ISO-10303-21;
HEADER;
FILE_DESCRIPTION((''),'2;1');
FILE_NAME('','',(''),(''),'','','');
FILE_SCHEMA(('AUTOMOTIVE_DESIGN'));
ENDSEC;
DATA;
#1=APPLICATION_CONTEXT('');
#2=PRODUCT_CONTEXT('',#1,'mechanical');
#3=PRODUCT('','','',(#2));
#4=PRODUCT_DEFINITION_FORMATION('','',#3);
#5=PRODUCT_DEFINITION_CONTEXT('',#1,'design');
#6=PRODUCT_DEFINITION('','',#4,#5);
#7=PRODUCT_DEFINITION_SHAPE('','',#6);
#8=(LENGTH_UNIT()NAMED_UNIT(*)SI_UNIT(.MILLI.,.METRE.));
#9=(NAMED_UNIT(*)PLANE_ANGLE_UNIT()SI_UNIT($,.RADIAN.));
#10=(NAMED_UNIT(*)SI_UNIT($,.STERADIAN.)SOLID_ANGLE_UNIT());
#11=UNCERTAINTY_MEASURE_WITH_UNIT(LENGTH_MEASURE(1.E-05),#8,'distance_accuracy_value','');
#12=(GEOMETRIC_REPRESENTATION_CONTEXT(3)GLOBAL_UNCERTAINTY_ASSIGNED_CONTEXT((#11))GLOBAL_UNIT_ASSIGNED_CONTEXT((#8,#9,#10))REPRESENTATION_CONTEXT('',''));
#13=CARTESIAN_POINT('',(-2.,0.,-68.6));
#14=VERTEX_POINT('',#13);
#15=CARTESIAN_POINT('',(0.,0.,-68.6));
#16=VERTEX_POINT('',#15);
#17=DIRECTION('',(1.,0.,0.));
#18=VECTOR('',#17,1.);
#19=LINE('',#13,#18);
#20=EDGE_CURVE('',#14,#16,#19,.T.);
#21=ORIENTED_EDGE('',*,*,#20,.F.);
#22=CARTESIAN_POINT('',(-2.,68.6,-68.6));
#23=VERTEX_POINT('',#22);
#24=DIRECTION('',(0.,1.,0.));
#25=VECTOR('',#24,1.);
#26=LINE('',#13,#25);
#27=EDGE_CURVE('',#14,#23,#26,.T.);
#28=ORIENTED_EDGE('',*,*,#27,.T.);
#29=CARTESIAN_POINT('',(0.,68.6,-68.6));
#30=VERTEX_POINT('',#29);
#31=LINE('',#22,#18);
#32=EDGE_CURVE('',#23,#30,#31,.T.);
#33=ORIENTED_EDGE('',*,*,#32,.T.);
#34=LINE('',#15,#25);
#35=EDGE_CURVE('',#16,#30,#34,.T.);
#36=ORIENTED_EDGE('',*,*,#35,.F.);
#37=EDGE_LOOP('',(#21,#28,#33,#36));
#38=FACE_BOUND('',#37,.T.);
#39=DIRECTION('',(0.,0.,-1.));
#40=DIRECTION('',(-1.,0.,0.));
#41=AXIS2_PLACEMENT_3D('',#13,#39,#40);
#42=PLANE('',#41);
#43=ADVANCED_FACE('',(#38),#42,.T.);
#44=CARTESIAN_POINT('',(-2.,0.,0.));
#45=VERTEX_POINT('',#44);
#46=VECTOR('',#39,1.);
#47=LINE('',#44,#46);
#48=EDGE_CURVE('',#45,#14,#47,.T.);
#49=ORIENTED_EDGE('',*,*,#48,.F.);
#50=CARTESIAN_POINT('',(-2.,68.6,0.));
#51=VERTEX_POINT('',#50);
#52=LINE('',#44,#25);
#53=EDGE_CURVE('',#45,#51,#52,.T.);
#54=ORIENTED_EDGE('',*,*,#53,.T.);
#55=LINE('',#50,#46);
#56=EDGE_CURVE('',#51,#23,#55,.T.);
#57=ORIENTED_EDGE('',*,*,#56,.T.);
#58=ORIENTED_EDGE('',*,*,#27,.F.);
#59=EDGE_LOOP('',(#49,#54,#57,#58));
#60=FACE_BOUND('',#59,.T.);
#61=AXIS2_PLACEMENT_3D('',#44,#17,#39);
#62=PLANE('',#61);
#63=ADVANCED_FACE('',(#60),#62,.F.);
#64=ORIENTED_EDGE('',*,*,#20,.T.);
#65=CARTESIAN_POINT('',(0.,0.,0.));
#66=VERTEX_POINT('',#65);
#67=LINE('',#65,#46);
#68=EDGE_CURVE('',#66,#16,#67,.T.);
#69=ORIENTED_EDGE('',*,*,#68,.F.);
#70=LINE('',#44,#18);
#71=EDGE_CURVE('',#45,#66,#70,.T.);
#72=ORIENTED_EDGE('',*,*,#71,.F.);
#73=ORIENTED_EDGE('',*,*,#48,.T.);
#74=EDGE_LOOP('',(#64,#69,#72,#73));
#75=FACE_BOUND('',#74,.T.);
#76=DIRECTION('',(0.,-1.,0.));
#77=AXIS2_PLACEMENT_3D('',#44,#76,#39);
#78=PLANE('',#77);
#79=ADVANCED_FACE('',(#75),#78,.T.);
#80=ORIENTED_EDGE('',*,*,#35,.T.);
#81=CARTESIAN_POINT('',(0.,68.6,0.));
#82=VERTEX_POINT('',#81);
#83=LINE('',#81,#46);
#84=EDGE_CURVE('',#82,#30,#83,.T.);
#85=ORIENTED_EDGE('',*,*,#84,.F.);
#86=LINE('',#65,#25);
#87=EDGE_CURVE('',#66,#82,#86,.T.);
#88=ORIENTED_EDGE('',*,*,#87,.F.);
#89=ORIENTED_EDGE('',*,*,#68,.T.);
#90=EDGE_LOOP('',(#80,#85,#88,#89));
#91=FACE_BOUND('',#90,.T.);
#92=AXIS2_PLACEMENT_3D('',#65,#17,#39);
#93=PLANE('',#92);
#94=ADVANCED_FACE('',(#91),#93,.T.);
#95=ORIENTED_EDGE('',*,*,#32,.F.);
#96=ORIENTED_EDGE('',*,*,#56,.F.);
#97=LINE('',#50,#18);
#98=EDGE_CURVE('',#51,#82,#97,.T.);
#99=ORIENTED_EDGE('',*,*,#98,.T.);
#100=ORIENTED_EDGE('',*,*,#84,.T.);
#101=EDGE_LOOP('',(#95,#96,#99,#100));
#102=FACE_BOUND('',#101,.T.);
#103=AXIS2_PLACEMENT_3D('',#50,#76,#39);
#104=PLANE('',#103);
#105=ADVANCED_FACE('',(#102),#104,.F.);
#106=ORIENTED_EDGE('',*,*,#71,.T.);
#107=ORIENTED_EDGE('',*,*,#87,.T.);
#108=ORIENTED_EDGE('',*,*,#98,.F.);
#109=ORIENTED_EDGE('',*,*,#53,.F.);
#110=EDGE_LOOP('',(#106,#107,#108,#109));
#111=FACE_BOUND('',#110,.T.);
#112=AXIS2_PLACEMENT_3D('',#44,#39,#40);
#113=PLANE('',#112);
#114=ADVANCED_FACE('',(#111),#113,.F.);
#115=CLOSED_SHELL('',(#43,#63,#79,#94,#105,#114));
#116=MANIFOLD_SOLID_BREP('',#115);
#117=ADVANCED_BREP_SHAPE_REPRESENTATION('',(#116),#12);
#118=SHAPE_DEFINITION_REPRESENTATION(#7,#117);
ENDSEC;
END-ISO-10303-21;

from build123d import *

# Parameters (mm, degrees)
SKETCH1_W           = 68.6
SKETCH1_H           = 68.6
BOSS_EXTRUDE1_DEPTH = 2


with BuildPart() as part:
    # Sketch1 → Boss-Extrude1 (new body)
    with BuildSketch(Plane(origin=(0, 0, 0), x_dir=(0, 0, -1), z_dir=(1, 0, 0))):
        with Locations((34.3, 34.3)):
            Rectangle(SKETCH1_W, SKETCH1_H)
    extrude(amount=-BOSS_EXTRUDE1_DEPTH)


solid = part.part
